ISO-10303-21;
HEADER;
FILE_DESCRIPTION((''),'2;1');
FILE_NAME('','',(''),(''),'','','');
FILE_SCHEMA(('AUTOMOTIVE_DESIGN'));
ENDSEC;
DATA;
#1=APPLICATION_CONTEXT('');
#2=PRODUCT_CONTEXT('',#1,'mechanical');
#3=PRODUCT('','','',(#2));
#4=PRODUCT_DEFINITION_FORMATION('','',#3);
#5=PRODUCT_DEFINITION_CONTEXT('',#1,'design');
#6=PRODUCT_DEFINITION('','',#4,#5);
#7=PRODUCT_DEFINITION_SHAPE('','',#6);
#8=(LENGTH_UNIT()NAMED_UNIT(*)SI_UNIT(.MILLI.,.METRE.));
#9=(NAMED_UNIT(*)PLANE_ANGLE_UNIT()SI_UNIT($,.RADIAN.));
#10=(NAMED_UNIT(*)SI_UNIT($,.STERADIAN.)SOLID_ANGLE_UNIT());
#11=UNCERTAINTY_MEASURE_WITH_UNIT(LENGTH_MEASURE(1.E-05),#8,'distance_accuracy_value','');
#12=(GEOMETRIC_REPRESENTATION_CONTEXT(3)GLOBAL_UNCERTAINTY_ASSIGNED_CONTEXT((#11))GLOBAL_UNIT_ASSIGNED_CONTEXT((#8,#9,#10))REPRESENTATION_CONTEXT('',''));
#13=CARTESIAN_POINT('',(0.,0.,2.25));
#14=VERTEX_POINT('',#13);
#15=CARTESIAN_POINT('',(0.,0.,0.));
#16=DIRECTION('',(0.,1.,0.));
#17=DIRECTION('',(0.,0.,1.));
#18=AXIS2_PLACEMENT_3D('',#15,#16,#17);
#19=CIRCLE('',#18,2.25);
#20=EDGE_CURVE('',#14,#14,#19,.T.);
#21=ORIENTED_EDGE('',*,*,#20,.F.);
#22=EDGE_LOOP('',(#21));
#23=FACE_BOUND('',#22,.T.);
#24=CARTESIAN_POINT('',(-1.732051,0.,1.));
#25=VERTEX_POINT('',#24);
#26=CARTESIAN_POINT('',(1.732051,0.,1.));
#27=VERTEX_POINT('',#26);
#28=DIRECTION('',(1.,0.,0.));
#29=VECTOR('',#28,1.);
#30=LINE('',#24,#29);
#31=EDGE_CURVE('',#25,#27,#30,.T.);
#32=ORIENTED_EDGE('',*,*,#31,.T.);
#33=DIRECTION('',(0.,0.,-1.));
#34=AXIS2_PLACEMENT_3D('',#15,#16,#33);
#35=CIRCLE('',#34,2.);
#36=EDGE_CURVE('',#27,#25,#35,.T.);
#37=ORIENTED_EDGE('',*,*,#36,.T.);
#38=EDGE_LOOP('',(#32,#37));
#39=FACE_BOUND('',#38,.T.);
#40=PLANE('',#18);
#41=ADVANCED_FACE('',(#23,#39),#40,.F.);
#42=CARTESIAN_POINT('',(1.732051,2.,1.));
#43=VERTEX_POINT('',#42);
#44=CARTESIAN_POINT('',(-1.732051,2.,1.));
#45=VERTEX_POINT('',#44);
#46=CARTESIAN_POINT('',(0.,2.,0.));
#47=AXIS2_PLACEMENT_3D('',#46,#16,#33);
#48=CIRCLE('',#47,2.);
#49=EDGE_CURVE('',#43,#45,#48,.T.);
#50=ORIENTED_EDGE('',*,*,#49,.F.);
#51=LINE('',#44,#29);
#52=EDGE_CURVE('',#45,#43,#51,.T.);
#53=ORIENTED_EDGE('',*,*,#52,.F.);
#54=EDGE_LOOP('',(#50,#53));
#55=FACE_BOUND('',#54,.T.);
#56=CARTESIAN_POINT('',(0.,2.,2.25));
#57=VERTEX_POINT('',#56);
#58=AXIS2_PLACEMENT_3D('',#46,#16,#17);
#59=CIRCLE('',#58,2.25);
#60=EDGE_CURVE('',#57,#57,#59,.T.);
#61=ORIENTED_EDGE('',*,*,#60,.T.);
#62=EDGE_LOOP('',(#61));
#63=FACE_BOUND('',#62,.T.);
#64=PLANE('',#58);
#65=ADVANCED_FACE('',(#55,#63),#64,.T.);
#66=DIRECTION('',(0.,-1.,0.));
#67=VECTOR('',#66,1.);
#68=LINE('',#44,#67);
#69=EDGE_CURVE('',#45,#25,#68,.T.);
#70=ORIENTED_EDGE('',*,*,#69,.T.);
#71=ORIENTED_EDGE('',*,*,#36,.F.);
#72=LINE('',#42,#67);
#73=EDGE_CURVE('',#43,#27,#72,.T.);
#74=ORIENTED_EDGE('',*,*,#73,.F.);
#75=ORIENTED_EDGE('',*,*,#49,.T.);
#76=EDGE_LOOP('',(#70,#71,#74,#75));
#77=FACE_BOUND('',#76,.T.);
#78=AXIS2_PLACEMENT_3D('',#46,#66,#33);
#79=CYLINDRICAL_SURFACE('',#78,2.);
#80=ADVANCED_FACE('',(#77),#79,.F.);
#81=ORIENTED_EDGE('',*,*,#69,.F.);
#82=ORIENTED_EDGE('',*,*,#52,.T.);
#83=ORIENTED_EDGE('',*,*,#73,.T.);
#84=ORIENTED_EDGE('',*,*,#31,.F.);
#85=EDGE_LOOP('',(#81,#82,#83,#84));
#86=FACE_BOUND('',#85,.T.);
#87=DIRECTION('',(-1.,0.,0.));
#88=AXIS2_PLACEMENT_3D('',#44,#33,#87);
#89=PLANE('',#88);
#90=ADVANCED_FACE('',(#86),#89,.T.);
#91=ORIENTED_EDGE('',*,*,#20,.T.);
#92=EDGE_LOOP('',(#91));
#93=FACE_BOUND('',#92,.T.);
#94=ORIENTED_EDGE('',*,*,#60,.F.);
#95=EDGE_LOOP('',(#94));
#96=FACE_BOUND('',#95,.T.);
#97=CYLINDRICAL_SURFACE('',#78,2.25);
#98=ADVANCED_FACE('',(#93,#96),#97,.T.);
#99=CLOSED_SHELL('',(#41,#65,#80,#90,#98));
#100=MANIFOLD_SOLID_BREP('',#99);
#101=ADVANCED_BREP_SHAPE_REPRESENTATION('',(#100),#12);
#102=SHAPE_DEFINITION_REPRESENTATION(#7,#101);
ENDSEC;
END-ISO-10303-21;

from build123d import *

# Parameters (mm, degrees)
SKETCH1_R           = 2.25
BOSS_EXTRUDE1_DEPTH = 2


with BuildPart() as part:
    # Sketch1 → Boss-Extrude1 (new body)
    with BuildSketch(Plane(origin=(0, 0, 0), x_dir=(1, 0, 0), z_dir=(0, 1, 0))):
        Circle(SKETCH1_R)
        with BuildLine():
            Line((-1.732050808, -1), (1.732050808, -1))
            ThreePointArc((1.732050808, -1), (0, 2), (-1.732050808, -1))
        make_face(mode=Mode.SUBTRACT)
    extrude(amount=BOSS_EXTRUDE1_DEPTH)


solid = part.part
